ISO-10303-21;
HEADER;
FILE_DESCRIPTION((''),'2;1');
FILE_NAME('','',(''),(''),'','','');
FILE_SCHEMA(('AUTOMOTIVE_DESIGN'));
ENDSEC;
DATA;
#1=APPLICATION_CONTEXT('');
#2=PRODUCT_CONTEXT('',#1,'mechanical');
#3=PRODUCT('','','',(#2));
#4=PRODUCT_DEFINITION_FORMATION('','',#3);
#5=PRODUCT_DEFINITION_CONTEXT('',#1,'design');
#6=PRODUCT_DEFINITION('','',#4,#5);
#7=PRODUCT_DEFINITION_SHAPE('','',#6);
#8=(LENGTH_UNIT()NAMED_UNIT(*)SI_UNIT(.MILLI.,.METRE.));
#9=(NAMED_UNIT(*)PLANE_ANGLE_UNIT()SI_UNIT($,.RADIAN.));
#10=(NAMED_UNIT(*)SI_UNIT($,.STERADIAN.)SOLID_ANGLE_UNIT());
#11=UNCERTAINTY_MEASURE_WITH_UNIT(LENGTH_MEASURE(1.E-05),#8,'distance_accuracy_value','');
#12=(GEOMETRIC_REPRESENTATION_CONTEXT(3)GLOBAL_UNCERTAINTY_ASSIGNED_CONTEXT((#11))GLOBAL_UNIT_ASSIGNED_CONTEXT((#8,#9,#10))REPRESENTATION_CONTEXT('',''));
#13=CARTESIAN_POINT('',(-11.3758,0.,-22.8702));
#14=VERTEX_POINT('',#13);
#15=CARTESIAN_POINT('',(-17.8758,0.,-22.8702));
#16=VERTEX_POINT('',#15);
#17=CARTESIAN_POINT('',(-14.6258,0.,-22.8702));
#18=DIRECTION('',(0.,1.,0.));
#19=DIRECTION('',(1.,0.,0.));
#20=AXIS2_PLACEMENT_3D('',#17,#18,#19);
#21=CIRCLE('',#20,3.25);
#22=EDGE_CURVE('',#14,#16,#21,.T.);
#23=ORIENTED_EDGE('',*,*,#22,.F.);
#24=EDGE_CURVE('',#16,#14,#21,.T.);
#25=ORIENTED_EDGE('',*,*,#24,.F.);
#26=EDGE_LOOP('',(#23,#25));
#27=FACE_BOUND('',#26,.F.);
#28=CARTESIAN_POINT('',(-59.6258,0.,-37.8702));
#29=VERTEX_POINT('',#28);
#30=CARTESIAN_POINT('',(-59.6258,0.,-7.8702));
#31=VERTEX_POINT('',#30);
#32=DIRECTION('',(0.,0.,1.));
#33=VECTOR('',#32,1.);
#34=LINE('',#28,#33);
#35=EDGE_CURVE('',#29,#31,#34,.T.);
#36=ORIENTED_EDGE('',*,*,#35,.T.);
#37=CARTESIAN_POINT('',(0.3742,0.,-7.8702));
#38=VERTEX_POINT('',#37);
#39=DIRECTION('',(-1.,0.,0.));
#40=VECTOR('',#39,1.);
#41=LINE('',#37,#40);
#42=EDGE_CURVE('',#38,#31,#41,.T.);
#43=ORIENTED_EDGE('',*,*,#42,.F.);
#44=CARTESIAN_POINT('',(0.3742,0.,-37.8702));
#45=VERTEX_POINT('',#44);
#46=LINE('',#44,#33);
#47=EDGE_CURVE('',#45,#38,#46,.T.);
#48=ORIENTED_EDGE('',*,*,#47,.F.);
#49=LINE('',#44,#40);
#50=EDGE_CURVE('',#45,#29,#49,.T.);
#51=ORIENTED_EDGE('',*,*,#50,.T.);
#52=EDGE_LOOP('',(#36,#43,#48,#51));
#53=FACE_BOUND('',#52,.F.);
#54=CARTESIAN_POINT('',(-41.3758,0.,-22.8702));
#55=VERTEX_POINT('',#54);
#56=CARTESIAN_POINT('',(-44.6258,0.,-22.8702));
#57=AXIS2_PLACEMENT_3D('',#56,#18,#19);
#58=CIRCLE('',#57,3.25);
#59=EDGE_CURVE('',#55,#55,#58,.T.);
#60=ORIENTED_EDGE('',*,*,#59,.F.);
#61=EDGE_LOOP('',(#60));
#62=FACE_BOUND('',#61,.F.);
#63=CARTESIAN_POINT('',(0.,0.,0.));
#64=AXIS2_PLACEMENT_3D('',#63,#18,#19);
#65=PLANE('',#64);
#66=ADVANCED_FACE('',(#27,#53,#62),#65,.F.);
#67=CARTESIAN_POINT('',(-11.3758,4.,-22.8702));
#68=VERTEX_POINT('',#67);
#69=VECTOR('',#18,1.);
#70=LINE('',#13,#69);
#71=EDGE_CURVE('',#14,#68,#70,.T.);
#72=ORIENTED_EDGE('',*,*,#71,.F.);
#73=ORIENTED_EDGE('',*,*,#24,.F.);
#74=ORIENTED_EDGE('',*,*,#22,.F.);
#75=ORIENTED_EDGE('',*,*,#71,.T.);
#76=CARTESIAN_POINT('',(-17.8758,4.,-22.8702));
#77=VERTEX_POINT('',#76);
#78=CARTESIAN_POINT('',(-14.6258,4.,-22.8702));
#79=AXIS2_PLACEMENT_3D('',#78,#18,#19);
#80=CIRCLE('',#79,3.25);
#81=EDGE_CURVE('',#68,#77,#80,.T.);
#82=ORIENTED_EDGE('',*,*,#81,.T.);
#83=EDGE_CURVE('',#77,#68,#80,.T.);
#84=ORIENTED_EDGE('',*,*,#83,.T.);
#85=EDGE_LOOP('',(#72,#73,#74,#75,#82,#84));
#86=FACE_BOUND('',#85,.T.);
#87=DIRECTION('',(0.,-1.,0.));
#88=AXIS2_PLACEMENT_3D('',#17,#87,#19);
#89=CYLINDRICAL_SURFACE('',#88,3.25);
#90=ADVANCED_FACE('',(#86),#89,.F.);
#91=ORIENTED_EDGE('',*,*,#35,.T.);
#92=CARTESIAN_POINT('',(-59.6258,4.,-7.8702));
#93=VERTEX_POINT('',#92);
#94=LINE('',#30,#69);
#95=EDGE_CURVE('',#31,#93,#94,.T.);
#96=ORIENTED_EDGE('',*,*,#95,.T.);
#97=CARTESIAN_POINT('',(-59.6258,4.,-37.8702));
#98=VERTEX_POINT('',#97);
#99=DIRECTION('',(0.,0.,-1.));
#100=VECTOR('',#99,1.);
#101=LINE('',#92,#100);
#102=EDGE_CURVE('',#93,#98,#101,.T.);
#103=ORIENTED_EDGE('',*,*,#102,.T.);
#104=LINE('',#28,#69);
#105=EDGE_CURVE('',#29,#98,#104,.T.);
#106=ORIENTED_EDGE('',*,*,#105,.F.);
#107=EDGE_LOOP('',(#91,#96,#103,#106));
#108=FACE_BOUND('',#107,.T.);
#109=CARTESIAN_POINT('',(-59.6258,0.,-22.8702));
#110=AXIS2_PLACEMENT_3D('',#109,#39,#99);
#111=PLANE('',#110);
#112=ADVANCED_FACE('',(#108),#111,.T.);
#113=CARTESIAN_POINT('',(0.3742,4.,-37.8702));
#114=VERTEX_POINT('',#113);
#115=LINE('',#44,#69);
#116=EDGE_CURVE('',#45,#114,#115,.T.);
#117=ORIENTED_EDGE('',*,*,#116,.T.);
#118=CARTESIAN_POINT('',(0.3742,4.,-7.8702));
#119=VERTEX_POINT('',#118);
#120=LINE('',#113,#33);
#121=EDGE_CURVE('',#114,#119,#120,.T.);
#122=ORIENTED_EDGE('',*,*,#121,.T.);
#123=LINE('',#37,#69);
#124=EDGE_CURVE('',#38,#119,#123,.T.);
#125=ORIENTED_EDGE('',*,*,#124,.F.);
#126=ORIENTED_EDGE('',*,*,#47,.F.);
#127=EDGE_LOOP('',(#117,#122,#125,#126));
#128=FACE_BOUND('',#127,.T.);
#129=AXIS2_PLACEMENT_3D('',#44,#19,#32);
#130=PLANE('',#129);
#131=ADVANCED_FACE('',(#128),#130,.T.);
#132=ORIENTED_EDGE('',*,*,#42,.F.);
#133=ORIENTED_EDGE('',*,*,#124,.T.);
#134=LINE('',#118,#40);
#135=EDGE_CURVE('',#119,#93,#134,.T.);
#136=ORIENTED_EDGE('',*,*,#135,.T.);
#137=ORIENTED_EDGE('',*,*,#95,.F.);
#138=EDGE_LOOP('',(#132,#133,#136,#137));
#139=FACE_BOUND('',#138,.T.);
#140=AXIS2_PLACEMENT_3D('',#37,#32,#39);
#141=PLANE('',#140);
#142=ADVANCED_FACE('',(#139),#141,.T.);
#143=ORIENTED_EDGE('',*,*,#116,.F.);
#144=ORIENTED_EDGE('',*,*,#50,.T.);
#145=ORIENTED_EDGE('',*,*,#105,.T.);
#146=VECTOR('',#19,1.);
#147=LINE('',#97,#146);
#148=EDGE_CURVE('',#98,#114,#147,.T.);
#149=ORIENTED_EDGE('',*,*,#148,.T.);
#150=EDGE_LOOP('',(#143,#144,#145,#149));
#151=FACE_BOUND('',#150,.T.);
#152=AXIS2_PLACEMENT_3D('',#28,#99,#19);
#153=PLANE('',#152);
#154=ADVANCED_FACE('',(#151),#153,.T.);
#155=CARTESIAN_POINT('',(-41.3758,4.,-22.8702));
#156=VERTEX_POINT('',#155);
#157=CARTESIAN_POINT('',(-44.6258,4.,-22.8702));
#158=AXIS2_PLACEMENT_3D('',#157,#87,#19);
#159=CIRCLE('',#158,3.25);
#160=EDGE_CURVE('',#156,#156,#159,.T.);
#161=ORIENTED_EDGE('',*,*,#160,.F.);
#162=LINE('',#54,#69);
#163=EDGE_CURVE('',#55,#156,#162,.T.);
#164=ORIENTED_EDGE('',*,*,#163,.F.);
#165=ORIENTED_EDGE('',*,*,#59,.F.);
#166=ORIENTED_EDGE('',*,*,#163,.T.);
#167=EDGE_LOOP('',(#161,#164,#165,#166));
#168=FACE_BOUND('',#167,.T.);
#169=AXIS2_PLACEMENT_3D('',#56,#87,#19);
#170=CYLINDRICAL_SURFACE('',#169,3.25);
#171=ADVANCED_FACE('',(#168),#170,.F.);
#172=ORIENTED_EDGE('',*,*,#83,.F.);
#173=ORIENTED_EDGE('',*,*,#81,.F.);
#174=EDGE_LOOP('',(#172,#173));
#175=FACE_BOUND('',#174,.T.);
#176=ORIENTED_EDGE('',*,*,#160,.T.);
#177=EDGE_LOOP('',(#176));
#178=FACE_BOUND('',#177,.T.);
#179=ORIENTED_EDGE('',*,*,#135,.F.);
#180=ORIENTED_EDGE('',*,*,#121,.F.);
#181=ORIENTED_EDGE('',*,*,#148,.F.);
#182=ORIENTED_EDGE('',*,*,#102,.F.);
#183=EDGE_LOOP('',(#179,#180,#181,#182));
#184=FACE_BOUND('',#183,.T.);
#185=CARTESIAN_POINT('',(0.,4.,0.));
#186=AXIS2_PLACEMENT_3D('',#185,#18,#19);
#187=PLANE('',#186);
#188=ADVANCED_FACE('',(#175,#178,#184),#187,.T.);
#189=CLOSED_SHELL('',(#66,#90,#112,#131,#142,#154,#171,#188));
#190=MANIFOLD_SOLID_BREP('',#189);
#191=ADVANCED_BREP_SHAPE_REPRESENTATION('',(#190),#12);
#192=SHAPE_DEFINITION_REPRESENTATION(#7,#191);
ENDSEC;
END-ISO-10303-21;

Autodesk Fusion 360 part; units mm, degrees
sketch "Sketch1" plane through (0, 0, 0) normal (0, 1, 0) x (1, 0, 0)
  line L0 (-59.6258, 37.8702) -> (0.3742, 37.8702)
  line L1 (0.3742, 37.8702) -> (0.3742, 7.8702)
  line L2 (0.3742, 7.8702) -> (-59.6258, 7.8702)
  line L3 (-59.6258, 7.8702) -> (-59.6258, 37.8702)
  circle A0 centre (-44.6258, 22.8702) radius 3.25
  circle A1 centre (-14.6258, 22.8702) radius 3.25
  line L4 (-44.6258, 37.8702) -> (-44.6258, 22.8702)
  line L5 (-59.6258, 22.8702) -> (-44.6258, 22.8702)
  line L6 (-44.6258, 22.8702) -> (-14.6258, 22.8702)
  point P0 (-32.4802, 26.6243)
  dimension "d1" = 60
  dimension "d2" = 30
  dimension "d3" = 6.5
  dimension "d4" = 6.5
  dimension "d5" = 15
  dimension "d6" = 15
  dimension "d7" = 30
extrude "Extrude1" add sketch "Sketch1" along normal blind 4 contours L0 L3 A0 L4 L5 | L0 L1 L2 L3 A0 L4 L5
